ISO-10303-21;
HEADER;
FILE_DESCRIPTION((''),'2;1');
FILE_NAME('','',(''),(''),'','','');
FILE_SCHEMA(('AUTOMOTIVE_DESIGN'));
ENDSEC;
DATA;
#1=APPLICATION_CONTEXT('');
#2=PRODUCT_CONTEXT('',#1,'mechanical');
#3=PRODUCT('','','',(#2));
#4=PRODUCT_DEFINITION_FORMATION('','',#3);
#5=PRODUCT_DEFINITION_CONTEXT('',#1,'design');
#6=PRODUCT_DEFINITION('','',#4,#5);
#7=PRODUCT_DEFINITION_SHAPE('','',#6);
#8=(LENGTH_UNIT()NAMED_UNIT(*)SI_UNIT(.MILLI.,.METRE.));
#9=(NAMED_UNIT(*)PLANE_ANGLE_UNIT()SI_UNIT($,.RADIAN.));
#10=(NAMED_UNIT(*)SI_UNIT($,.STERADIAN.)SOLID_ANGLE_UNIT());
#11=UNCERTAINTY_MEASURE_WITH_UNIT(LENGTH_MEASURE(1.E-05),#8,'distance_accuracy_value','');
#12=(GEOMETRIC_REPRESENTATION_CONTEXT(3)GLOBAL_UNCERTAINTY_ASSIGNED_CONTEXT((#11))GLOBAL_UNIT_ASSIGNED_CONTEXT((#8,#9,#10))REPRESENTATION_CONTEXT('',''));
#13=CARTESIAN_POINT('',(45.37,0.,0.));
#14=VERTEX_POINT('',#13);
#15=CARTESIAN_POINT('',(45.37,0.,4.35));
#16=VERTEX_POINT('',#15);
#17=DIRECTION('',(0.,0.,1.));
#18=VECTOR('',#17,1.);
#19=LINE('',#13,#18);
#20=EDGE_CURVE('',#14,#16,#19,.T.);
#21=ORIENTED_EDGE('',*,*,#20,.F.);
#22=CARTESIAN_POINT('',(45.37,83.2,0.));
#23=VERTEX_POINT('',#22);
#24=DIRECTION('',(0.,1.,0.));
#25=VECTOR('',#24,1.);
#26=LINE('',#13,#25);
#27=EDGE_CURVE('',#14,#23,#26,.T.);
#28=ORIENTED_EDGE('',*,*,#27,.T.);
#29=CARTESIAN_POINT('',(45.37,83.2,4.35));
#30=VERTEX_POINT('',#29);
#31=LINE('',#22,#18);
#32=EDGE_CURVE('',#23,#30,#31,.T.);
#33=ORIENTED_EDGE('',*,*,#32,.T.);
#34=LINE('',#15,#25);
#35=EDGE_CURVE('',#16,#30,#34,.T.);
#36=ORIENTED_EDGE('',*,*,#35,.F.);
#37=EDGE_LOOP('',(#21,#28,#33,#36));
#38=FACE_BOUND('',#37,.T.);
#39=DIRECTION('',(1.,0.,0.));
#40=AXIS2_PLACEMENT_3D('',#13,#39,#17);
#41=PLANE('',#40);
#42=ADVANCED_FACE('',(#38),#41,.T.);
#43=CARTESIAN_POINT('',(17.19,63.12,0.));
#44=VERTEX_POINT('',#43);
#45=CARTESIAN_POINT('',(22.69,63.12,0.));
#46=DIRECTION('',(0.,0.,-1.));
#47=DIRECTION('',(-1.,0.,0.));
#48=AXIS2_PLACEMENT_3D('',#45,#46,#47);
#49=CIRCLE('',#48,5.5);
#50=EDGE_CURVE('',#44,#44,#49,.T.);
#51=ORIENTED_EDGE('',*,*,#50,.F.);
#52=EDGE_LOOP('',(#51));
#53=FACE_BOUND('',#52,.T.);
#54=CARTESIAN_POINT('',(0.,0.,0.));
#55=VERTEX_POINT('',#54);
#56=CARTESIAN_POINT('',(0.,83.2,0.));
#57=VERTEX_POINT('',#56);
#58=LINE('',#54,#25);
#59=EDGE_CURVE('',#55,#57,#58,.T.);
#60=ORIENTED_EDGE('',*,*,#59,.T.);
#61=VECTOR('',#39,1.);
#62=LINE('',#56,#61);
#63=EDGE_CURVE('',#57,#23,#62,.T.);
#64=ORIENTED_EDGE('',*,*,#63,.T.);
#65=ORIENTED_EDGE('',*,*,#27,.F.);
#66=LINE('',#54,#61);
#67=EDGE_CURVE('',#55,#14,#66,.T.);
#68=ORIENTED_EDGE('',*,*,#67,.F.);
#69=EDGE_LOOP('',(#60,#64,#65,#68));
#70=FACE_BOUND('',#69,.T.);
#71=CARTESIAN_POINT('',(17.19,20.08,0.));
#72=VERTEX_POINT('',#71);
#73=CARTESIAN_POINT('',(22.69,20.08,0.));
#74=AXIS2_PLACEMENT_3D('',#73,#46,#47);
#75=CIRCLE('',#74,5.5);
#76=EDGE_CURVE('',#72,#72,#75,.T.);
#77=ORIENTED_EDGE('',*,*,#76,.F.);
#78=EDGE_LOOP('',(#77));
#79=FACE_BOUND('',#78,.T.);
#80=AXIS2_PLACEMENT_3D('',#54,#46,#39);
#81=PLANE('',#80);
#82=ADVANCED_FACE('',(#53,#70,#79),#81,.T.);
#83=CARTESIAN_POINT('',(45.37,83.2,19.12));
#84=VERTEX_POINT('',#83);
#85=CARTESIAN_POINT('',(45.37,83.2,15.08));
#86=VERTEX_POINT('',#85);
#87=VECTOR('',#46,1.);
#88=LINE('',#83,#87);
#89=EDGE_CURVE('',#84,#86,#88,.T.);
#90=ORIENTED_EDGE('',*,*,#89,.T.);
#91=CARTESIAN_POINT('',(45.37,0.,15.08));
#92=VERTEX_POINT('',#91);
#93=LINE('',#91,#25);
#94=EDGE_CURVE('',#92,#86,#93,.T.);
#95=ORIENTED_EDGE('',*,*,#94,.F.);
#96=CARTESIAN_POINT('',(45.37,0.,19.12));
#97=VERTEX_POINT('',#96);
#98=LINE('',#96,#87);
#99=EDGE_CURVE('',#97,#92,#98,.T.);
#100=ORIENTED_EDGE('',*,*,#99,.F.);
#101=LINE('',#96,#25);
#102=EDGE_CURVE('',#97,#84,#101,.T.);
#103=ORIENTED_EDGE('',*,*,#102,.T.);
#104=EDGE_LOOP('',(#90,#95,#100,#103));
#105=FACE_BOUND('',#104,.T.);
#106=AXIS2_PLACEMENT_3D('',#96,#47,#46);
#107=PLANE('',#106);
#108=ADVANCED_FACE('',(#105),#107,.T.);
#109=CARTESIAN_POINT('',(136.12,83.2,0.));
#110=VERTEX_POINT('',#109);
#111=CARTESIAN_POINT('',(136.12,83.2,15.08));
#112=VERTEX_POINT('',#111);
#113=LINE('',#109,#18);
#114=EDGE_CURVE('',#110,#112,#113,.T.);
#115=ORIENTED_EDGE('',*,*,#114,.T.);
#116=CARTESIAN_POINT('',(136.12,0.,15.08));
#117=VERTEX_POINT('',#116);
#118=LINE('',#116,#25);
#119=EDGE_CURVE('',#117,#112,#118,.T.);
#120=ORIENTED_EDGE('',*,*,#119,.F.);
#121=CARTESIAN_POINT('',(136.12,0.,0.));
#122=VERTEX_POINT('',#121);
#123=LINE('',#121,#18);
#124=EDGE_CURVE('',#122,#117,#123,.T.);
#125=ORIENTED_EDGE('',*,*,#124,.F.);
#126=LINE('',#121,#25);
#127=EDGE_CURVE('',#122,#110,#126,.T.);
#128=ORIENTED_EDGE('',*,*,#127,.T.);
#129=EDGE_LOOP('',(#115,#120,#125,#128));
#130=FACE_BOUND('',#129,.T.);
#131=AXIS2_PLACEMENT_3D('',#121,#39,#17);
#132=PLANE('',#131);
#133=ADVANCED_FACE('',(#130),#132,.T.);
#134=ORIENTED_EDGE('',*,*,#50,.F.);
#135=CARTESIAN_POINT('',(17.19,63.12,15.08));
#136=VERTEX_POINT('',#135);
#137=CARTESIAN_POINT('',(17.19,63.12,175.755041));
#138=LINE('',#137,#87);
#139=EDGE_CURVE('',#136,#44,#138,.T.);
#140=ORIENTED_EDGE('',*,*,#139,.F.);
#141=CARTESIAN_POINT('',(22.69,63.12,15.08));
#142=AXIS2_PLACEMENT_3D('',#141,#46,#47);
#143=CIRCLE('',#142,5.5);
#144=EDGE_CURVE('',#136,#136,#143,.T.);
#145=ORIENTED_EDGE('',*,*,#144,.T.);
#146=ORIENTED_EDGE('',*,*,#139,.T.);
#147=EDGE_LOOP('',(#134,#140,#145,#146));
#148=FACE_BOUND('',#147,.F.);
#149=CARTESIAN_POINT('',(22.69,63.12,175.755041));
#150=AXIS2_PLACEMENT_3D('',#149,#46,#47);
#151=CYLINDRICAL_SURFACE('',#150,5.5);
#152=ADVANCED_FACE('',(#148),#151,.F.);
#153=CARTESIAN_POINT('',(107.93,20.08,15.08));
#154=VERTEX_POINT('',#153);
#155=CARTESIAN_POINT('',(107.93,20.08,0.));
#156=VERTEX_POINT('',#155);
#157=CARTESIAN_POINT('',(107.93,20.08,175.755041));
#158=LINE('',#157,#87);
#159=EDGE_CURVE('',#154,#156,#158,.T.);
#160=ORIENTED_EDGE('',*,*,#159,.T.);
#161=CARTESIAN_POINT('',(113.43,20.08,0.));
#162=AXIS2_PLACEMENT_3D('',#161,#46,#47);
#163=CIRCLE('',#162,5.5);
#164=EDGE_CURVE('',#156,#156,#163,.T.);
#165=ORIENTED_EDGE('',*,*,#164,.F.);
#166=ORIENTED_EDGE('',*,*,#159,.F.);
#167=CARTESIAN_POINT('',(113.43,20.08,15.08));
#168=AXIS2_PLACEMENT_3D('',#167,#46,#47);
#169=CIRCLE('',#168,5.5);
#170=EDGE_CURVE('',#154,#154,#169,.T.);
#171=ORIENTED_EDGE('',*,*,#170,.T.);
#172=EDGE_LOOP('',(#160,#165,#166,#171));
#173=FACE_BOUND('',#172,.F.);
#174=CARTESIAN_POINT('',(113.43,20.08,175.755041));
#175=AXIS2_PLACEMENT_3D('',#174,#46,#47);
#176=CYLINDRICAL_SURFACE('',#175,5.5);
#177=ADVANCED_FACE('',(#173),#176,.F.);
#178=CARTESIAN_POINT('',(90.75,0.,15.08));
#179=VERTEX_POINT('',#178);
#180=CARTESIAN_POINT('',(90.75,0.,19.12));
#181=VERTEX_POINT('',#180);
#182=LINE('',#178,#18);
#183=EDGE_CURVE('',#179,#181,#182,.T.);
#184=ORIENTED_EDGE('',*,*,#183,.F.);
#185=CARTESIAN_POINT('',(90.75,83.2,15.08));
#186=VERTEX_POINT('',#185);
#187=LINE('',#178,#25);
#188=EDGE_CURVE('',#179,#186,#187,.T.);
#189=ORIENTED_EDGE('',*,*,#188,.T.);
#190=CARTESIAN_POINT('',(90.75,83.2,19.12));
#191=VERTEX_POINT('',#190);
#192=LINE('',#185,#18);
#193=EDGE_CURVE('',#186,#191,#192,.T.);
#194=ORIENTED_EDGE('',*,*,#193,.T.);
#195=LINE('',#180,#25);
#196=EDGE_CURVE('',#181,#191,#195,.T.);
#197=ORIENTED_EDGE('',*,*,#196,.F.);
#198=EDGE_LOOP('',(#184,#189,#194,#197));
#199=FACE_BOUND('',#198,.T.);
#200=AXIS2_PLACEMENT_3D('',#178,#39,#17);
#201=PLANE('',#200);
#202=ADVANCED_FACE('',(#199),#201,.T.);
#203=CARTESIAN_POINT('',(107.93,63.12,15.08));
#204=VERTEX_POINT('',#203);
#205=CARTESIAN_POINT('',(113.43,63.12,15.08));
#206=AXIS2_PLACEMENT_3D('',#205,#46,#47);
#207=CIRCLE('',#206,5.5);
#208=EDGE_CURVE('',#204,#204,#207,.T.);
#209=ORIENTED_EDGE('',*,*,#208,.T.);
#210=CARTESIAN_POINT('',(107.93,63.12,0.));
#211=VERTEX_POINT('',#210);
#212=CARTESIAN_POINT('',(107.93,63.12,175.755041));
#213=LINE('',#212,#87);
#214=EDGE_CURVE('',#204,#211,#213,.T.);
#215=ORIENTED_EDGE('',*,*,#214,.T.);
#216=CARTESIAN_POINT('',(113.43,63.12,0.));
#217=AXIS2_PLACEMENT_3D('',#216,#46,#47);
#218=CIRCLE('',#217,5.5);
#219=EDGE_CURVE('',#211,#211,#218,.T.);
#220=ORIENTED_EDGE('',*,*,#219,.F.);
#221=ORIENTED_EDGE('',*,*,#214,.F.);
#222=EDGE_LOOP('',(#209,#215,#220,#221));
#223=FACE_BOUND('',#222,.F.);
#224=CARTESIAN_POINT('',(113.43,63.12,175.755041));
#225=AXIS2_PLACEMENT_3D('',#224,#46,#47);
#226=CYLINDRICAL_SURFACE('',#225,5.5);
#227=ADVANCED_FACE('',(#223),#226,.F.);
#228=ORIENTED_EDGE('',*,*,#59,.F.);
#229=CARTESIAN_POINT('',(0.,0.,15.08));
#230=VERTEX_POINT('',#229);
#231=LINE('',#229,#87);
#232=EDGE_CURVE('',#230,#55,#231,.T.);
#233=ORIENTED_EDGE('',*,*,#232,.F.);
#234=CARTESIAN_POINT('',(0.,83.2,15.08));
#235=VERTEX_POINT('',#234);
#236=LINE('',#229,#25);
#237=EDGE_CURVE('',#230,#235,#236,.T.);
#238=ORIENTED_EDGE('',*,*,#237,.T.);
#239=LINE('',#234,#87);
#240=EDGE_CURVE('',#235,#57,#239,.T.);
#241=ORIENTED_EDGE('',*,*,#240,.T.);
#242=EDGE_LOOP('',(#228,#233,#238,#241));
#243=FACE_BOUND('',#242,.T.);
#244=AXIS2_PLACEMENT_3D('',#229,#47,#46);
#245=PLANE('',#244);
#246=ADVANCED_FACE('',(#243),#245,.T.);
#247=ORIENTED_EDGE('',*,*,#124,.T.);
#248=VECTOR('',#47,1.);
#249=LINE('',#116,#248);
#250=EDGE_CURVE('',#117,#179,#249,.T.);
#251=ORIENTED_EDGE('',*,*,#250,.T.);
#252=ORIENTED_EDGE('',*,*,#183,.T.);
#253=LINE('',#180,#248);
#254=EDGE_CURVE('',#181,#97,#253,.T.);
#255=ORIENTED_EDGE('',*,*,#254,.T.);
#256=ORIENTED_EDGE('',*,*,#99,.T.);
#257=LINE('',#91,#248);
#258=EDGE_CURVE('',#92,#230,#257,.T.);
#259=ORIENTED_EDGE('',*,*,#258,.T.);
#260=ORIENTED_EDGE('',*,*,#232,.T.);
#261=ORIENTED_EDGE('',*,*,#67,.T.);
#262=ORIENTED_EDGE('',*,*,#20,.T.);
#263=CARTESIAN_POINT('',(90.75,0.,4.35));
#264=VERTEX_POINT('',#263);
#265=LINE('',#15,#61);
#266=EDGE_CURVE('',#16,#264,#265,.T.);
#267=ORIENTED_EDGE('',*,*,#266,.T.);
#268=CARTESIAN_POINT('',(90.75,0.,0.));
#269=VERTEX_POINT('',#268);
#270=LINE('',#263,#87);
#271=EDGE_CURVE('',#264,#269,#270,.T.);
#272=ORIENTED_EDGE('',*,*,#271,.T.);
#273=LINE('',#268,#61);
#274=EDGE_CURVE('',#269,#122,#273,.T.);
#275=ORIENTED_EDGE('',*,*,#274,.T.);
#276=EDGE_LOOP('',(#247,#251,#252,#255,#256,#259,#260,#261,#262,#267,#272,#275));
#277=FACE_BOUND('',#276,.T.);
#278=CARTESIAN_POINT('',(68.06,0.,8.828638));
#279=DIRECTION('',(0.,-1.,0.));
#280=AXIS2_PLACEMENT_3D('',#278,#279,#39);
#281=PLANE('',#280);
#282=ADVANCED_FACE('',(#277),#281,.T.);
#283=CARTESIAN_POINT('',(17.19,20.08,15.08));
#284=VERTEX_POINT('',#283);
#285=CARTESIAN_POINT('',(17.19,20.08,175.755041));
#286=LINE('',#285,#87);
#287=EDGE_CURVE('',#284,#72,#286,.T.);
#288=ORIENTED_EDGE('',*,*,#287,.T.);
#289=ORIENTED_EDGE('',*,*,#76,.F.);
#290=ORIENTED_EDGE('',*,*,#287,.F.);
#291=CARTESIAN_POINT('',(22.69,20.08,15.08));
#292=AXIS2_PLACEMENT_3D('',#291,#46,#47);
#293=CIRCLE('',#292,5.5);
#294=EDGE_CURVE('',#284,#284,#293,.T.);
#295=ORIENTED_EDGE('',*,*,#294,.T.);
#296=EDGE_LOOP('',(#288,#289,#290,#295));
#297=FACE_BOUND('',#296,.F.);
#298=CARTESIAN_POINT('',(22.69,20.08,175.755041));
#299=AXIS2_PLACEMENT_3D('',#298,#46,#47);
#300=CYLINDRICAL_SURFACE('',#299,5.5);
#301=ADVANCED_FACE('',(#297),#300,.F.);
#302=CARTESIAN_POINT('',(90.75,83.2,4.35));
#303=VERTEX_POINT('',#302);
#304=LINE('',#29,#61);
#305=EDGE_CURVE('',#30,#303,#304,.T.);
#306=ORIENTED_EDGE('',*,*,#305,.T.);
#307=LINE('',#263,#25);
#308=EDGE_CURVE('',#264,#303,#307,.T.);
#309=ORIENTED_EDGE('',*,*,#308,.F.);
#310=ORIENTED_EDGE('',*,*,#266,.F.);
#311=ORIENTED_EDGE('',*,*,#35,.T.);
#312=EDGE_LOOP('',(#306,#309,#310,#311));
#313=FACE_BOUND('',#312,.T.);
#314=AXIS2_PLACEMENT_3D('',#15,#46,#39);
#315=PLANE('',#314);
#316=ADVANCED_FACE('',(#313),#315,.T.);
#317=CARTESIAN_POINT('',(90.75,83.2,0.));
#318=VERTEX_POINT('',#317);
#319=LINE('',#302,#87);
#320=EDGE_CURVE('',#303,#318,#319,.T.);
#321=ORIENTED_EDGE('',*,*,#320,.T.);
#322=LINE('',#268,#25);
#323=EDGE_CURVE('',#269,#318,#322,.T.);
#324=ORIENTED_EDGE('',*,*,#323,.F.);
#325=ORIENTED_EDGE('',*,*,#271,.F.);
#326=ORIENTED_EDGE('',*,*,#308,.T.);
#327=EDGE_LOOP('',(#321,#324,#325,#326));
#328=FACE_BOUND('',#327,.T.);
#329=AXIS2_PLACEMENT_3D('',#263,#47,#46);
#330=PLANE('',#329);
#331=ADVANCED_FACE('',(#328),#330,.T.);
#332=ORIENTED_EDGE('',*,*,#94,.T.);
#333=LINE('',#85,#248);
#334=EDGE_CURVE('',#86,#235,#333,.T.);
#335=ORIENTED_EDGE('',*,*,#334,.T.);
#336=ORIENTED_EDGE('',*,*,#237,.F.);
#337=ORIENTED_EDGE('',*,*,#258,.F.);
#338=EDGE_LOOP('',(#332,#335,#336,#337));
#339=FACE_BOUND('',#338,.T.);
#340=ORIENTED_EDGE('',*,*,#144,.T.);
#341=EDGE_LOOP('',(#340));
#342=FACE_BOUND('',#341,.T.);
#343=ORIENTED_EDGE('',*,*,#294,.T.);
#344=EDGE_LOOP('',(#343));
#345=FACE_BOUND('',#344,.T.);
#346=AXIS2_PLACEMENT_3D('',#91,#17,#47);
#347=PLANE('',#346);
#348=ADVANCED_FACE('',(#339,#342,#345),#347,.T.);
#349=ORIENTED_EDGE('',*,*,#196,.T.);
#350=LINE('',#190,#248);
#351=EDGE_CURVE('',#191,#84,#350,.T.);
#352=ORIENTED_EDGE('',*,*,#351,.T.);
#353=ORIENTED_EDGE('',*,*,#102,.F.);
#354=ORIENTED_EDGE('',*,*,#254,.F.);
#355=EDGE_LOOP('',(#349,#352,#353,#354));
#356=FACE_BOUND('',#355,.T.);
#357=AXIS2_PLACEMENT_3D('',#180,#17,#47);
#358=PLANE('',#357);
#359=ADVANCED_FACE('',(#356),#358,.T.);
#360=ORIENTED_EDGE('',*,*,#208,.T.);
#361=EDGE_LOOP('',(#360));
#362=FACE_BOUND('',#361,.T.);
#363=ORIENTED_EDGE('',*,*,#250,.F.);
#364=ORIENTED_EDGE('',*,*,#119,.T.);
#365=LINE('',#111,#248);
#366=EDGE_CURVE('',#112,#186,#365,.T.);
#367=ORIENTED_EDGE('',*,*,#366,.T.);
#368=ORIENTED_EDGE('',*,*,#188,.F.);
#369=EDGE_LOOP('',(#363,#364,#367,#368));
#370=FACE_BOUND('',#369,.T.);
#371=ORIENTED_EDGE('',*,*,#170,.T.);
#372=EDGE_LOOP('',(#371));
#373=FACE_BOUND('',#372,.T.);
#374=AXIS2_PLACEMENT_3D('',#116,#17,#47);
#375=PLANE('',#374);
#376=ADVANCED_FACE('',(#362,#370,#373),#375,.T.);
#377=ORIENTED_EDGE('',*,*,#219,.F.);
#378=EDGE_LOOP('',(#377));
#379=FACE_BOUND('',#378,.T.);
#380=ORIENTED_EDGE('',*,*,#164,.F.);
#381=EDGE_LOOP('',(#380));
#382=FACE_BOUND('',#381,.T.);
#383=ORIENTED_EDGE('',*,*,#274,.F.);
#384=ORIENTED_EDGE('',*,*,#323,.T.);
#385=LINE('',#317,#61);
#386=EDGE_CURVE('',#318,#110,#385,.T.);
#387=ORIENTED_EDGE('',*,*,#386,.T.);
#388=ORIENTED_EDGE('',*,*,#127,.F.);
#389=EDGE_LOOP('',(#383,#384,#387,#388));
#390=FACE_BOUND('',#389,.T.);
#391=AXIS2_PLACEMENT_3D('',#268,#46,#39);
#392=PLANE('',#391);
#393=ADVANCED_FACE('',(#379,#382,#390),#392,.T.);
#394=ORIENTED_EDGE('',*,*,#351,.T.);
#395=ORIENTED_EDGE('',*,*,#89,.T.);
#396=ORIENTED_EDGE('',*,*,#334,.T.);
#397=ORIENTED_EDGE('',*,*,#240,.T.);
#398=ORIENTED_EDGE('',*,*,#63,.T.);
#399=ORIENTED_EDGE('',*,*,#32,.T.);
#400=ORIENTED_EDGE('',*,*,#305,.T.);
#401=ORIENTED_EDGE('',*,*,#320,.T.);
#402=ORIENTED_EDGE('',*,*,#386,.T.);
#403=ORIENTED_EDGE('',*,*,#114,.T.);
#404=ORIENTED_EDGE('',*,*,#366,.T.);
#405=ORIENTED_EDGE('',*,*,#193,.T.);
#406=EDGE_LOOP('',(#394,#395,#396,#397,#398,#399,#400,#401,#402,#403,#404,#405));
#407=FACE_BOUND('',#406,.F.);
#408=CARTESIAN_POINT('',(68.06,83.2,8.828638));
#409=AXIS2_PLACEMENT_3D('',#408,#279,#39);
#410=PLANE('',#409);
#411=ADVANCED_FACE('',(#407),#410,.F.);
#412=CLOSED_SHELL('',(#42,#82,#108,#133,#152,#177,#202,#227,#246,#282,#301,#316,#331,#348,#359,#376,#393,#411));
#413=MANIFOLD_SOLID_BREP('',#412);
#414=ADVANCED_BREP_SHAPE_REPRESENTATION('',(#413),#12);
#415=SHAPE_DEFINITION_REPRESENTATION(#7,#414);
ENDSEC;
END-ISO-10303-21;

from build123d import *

# Parameters (mm, degrees)
F1_DEPTH = 83.2
F4_D     = 11


with BuildPart() as f1:
    # F0 (on Front) → F1 (new body)
    with BuildSketch(Plane.XZ):
        Polygon((0, 15.08), (0, 0), (45.37, 0), (45.37, 4.35), (90.75, 4.35), (90.75, 0), (136.12, 0), (136.12, 15.08), (90.75, 15.08), (90.75, 19.12), (45.37, 19.12), (45.37, 15.08), align=None)
    extrude(amount=-F1_DEPTH)

    # F4 (through all)
    with Locations(Plane.XY.offset(15.08)):
        with Locations((22.69, 20.08), (22.69, 63.12), (113.43, 63.12), (113.43, 20.08)):
            Hole(F4_D / 2)


solid = f1.part
